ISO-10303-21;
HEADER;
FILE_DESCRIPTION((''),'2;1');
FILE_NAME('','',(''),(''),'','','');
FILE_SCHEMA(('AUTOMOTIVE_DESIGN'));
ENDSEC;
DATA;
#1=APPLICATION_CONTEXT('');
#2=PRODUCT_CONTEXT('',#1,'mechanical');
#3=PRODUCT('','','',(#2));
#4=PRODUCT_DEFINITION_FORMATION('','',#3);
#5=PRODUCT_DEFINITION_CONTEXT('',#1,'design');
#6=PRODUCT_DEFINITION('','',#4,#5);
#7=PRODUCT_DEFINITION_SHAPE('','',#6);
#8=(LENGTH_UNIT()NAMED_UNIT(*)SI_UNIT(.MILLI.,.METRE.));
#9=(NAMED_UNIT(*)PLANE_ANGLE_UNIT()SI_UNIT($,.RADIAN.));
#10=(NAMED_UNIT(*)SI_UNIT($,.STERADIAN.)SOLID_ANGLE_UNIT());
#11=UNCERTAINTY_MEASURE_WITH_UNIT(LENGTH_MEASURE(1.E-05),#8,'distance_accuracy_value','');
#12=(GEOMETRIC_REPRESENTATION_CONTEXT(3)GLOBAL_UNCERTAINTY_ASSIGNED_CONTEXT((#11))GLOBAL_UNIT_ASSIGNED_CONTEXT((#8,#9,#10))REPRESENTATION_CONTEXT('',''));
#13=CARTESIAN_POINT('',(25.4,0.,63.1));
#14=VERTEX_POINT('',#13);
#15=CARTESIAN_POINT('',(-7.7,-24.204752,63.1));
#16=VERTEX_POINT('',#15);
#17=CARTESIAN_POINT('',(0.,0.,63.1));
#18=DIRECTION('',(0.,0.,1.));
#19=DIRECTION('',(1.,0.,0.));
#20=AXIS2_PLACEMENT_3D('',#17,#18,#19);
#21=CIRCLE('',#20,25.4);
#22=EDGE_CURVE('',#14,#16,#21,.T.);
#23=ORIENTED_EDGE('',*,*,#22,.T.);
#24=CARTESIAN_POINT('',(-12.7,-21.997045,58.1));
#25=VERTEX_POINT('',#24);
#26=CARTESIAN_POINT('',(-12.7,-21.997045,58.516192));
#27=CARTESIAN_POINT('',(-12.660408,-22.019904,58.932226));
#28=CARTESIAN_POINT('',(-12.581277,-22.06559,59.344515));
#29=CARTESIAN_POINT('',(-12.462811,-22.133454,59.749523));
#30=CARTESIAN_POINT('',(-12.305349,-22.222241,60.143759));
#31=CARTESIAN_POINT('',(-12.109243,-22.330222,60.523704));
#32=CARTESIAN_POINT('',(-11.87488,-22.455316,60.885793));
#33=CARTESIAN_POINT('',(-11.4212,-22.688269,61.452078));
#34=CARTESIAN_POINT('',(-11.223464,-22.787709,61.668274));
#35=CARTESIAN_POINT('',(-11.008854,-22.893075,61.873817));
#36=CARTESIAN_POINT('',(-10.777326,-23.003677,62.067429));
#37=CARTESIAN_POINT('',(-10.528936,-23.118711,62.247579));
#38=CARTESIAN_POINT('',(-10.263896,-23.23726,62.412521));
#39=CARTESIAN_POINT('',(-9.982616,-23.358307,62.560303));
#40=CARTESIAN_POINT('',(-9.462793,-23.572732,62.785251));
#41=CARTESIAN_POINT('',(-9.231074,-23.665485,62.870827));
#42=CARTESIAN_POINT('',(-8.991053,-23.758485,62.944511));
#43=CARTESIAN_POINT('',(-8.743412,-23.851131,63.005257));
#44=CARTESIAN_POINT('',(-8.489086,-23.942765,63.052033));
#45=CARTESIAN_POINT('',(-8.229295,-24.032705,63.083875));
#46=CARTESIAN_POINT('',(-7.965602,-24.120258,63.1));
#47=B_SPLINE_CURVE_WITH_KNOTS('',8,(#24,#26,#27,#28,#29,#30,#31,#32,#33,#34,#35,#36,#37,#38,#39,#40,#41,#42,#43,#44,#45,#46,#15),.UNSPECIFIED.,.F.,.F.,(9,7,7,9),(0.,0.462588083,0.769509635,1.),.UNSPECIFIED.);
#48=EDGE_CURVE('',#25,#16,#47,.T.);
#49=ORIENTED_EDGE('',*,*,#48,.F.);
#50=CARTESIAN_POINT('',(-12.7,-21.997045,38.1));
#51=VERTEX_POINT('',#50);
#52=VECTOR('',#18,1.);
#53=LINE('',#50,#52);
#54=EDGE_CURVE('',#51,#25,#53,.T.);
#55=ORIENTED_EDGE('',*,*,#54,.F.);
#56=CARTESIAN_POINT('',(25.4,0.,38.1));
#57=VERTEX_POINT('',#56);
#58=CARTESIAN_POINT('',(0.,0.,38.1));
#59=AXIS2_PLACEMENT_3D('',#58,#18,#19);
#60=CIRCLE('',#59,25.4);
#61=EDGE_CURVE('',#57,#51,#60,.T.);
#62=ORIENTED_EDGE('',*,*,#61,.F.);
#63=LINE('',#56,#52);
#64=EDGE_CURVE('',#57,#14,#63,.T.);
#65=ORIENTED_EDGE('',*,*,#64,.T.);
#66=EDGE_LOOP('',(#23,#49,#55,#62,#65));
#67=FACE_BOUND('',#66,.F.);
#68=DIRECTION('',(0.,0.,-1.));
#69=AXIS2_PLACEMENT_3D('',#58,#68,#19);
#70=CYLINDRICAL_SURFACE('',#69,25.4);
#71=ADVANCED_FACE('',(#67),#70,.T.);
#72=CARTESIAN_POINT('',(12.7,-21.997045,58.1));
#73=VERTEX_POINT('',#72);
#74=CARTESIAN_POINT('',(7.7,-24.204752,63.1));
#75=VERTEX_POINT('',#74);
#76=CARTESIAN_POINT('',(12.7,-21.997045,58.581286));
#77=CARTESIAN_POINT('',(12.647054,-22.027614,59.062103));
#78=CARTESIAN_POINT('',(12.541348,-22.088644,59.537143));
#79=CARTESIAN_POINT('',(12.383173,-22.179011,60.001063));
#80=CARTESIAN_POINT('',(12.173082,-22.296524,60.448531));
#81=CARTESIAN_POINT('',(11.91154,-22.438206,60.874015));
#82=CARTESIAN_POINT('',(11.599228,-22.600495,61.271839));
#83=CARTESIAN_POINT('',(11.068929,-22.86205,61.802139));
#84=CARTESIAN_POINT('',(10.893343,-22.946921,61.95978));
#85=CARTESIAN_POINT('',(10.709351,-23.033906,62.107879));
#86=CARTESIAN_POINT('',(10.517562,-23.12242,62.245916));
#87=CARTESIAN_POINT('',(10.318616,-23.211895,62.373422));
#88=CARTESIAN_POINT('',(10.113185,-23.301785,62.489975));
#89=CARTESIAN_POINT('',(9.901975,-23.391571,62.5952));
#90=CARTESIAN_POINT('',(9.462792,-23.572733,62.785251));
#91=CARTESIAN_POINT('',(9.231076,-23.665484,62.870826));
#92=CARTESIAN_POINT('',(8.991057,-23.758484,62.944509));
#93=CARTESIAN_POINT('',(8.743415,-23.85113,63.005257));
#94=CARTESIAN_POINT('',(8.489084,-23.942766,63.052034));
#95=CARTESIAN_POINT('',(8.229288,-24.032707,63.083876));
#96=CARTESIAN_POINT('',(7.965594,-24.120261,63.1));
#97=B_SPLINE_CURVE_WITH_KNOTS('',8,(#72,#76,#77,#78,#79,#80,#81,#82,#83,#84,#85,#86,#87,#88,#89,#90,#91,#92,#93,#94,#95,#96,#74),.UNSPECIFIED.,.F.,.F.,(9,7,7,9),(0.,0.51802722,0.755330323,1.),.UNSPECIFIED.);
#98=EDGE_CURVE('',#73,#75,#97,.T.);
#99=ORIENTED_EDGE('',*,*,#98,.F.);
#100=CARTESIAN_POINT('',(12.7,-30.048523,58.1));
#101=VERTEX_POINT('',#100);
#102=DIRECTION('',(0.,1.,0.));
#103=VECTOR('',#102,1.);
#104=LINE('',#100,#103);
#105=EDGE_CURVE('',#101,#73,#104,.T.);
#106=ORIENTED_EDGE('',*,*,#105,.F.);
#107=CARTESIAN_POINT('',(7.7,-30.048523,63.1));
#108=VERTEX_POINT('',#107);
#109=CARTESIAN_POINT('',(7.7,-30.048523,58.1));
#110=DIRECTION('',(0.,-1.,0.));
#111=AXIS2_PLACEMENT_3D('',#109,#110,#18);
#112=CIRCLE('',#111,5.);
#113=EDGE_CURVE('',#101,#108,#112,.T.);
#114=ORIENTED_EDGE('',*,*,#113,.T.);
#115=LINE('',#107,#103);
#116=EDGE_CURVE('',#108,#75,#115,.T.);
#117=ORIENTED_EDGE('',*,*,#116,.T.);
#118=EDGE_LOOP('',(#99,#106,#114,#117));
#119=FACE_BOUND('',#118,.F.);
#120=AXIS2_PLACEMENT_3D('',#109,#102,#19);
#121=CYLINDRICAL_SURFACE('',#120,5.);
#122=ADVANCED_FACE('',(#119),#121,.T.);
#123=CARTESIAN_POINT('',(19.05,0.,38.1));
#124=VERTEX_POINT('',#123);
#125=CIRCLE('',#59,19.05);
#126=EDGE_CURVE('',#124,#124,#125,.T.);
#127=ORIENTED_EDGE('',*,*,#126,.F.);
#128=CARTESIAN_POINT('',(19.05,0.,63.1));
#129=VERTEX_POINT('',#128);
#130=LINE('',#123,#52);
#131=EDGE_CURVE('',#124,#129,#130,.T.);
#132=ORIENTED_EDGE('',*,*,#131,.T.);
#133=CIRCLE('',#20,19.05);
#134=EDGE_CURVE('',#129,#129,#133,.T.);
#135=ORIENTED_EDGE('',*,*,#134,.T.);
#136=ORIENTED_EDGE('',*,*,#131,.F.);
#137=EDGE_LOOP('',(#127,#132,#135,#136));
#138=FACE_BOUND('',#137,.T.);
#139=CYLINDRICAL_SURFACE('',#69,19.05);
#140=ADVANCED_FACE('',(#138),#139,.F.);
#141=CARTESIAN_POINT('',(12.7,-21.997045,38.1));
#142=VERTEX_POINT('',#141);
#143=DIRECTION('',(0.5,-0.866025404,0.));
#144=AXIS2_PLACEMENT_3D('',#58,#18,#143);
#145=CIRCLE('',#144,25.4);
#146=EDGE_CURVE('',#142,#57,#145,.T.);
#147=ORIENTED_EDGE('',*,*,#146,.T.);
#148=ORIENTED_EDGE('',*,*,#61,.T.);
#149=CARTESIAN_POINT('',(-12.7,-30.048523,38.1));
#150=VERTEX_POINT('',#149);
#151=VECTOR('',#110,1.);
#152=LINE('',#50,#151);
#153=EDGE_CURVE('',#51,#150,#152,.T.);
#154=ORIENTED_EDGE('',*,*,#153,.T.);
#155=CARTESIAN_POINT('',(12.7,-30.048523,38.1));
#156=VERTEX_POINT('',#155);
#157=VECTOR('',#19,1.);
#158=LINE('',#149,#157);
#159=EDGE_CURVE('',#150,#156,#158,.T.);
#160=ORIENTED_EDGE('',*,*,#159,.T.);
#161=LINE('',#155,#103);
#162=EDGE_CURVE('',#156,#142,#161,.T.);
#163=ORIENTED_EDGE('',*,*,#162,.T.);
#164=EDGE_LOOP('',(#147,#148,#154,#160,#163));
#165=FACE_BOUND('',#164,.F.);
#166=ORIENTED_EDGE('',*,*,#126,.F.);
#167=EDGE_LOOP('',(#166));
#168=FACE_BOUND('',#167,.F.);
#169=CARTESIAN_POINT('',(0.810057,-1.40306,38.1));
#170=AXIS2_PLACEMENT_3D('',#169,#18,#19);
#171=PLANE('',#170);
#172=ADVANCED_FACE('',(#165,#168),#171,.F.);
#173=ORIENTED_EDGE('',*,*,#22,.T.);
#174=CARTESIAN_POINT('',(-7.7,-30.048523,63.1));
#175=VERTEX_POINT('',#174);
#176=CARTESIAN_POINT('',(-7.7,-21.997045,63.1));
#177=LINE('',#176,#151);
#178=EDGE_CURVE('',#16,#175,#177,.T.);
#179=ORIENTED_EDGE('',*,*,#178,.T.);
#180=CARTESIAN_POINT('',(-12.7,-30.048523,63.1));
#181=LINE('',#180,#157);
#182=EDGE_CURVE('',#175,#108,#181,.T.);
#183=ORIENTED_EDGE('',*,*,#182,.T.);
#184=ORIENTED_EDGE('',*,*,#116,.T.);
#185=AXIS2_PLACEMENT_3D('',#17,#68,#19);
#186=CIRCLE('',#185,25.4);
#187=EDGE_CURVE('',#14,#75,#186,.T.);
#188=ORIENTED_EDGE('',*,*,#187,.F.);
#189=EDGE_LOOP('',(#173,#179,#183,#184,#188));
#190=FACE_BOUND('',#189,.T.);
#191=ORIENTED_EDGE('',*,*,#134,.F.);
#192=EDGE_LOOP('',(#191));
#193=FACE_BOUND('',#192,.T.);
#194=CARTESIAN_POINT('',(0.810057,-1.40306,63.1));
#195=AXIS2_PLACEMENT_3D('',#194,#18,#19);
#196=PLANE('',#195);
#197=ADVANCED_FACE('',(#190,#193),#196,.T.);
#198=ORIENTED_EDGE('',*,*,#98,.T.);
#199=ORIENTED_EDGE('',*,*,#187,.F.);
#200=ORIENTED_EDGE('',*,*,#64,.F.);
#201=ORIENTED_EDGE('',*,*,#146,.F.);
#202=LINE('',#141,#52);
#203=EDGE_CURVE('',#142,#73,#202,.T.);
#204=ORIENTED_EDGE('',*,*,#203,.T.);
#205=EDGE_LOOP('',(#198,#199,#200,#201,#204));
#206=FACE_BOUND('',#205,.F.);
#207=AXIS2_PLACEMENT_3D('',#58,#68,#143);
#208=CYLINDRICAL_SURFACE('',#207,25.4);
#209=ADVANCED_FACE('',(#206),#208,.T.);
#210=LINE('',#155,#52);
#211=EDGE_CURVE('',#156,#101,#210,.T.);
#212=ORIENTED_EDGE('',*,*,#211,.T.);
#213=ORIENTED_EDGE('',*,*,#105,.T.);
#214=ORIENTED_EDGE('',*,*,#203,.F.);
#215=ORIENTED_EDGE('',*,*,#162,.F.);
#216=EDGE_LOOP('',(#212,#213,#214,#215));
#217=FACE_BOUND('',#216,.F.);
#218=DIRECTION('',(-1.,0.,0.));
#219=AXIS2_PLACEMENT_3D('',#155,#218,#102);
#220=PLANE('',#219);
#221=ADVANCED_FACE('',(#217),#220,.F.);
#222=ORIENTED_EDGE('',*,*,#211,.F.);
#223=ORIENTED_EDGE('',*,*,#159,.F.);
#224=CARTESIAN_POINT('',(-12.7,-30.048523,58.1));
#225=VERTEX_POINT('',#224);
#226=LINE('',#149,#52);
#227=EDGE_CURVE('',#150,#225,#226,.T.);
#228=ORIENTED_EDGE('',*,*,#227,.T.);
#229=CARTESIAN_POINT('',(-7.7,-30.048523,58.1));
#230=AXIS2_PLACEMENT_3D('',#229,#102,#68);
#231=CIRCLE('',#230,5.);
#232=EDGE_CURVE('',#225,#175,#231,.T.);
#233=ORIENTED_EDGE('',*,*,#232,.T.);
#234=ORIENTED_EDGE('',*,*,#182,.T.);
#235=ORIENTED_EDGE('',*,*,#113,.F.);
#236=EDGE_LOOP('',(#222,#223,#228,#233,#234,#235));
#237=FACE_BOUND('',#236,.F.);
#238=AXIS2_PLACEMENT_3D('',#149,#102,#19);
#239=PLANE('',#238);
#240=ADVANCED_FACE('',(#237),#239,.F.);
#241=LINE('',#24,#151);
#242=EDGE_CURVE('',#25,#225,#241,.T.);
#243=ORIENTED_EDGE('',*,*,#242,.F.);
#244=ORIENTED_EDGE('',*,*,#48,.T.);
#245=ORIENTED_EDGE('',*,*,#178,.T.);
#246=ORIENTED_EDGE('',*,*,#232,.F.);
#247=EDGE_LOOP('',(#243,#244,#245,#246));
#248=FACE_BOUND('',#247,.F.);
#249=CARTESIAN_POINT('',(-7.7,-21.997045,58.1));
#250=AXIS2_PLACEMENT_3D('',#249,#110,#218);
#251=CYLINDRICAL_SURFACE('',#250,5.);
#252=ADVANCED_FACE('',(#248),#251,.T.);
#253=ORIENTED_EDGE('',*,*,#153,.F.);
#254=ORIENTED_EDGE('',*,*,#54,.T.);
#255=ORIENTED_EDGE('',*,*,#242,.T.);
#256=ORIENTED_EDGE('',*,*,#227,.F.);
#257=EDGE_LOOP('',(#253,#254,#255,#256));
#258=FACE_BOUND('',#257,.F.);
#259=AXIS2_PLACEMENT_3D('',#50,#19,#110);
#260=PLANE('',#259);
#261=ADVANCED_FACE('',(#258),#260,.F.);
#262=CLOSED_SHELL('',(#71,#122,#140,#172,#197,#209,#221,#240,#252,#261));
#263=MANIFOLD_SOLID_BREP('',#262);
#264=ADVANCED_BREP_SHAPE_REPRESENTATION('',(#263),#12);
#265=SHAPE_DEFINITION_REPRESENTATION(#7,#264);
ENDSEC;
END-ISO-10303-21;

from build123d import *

# Parameters (mm, degrees)
F1_R     = 19.05
F2_DEPTH = 25
F3_R     = 5


with BuildPart() as f2:
    # F1 (on offset) → F2 (new body)
    with BuildSketch(Plane.XY.offset(38.1)):
        with BuildLine():
            ThreePointArc((12.7, -21.9970452561), (21.9970452561, -12.7), (25.4, 0))
            ThreePointArc((25.4, 0), (-12.7, 21.9970452561), (-12.7, -21.9970452561))
            ThreePointArc((-12.7, -21.9970452561), (0, -25.4), (12.7, -21.9970452561))
        make_face()
        Circle(F1_R, mode=Mode.SUBTRACT)
        with BuildLine():
            ThreePointArc((12.7, -21.9970452561), (0, -25.4), (-12.7, -21.9970452561))
            Line((-12.7, -21.9970452561), (-12.7, -30.0485226281))
            Line((-12.7, -30.0485226281), (12.7, -30.0485226281))
            Line((12.7, -30.0485226281), (12.7, -21.9970452561))
        make_face()
    extrude(amount=F2_DEPTH)

    # F3
    f3_edges = [f2.edges().sort_by_distance(p)[0] for p in [
        (-12.7, -26.022784, 63.1),
        (12.7, -26.022784, 63.1),
    ]]
    fillet(f3_edges, radius=F3_R)


solid = f2.part
